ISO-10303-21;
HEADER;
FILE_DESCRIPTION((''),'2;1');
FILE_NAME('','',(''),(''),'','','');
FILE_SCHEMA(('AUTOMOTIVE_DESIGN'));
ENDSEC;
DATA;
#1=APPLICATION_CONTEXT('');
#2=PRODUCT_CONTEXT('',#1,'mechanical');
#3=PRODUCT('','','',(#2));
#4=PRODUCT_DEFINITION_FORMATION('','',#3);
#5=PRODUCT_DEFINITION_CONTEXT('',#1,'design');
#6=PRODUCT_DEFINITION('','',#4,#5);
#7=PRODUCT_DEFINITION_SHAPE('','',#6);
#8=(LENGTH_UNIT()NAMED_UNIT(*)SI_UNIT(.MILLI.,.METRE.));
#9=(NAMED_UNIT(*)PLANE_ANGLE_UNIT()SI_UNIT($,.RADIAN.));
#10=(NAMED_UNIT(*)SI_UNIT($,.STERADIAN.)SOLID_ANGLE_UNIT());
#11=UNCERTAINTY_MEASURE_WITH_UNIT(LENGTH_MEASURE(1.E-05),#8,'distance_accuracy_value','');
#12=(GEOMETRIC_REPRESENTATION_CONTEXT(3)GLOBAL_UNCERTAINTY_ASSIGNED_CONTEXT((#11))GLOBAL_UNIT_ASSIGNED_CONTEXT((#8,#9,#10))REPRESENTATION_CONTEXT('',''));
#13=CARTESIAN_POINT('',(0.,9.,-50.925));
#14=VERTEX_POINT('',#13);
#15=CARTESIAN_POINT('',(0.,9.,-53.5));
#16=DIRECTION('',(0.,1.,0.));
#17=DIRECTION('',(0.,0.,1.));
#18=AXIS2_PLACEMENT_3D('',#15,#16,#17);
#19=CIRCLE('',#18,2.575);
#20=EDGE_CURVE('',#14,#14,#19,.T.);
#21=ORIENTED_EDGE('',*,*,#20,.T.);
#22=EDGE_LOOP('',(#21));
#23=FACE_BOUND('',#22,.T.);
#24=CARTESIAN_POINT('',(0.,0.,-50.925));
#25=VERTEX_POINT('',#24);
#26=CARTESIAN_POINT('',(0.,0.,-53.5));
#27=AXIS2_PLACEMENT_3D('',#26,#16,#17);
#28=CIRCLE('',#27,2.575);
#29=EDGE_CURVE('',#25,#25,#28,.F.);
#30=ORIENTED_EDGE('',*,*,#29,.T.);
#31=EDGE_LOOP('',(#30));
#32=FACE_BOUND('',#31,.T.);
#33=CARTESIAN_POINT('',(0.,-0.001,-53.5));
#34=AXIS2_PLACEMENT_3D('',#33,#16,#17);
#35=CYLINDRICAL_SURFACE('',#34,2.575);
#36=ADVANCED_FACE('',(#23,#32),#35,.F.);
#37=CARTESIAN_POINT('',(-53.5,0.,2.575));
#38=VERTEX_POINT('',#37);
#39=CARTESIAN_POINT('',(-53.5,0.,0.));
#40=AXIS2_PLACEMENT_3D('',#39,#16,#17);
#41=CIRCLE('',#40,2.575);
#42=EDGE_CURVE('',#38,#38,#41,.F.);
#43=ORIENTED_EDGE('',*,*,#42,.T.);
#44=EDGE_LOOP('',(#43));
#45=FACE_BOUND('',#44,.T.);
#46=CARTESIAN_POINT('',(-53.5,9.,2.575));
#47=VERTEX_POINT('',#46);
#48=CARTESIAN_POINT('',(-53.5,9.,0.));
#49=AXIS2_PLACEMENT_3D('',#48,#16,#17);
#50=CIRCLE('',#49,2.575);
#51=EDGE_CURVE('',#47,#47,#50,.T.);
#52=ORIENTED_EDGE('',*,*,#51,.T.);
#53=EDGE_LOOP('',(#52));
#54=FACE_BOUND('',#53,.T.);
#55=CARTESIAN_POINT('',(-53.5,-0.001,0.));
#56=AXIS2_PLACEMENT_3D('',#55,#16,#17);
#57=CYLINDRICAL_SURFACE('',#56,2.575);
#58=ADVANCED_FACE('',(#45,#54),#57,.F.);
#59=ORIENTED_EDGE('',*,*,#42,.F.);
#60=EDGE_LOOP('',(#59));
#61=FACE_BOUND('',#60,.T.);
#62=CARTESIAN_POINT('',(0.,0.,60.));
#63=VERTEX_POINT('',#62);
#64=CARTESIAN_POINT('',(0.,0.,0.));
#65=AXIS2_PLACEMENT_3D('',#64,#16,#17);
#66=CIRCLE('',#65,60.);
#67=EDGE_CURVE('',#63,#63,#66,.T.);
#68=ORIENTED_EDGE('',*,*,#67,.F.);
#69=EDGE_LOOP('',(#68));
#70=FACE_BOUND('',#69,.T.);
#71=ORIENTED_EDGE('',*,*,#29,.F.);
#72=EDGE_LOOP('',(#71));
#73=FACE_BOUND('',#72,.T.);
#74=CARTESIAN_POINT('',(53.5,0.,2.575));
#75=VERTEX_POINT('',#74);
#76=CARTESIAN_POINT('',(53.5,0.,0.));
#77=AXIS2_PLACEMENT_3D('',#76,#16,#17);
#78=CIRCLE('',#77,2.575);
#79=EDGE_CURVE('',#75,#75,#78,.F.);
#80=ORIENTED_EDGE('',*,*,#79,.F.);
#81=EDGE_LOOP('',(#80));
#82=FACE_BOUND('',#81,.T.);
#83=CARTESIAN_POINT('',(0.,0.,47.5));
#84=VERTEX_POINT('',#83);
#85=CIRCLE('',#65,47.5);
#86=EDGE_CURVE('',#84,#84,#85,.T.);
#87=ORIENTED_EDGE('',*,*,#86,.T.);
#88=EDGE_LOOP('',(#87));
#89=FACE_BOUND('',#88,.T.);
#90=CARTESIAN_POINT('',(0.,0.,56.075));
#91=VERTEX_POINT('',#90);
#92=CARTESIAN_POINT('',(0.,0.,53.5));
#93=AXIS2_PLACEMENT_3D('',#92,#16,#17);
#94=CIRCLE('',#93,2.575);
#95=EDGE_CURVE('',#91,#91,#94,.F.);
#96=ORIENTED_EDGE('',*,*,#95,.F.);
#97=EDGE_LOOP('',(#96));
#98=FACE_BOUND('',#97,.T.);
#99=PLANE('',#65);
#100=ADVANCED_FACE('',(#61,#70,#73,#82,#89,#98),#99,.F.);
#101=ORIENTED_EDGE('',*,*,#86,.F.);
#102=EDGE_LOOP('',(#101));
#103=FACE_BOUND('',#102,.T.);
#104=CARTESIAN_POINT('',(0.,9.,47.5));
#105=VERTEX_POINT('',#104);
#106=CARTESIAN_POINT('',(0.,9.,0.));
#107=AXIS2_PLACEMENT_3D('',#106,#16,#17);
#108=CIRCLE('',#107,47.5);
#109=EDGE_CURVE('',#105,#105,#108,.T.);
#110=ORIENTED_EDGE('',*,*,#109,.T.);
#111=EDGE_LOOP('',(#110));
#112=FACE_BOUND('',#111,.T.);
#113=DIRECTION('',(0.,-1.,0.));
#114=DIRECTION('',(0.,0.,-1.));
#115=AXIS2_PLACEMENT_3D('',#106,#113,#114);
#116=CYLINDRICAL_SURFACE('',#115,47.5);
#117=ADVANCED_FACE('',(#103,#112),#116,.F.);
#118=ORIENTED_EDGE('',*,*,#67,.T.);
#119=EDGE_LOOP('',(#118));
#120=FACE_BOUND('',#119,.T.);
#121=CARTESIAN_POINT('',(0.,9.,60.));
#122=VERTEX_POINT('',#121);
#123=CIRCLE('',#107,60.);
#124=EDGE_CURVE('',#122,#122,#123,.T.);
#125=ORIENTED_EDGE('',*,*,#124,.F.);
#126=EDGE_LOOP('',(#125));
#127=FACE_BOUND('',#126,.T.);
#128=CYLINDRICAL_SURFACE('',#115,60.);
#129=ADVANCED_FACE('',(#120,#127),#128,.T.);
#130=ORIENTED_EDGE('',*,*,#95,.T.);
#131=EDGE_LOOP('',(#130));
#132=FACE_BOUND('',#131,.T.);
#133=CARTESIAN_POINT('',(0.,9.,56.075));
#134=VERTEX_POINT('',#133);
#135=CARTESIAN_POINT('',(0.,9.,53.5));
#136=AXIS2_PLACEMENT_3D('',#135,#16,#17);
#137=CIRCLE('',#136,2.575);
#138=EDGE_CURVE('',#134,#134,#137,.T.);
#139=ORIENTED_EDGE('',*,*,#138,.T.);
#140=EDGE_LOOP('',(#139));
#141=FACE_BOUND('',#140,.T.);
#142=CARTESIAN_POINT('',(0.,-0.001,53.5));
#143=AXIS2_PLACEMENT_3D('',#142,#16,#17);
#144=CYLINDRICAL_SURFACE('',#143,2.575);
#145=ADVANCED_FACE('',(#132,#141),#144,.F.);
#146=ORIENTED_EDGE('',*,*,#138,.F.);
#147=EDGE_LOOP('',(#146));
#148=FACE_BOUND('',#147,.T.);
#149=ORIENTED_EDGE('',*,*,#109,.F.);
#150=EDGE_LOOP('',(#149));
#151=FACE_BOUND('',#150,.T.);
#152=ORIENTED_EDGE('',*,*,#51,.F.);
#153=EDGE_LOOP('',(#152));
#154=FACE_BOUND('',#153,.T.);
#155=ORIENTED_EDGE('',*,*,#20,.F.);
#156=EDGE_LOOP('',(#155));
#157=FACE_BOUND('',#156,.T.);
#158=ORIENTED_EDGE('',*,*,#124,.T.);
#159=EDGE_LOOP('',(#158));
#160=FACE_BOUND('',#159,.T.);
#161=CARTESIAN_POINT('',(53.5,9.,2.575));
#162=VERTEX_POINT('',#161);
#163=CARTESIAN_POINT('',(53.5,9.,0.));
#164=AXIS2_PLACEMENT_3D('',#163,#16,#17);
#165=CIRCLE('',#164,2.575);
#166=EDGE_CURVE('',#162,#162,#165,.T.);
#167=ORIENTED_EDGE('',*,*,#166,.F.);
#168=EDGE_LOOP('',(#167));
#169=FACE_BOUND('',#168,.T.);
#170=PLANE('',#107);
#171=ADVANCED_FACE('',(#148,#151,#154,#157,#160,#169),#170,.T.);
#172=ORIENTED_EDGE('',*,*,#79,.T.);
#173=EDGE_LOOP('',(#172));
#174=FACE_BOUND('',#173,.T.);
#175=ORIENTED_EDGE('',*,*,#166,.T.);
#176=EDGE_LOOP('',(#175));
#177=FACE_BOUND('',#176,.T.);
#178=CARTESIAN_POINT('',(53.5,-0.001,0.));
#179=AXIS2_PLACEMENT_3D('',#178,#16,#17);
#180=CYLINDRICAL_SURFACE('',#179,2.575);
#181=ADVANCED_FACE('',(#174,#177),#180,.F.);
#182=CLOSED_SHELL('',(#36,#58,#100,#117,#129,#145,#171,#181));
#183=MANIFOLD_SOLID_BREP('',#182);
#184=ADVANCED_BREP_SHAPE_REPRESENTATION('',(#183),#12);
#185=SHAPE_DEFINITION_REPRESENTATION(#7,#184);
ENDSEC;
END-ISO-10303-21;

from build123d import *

# Parameters (mm, degrees)
SKETCH_1_R          = 60
SKETCH_1_R_2        = 47.5
EXTRUDE_1_DEPTH     = 9
CUT_EXTRUDE_1_REACH = 87.329
SKETCH_2_R          = 2.575


with BuildPart() as part:
    # 草图1 → 凸台-拉伸1 (new body)
    with BuildSketch(Plane(origin=(0, 0, 0), x_dir=(1, 0, 0), z_dir=(0, 1, 0))):
        with Locations(Location((0, 0, 0), (0, 0, 270))):
            Circle(SKETCH_1_R)
        with Locations(Location((0, 0, 0), (0, 0, 270))):
            Circle(SKETCH_1_R_2, mode=Mode.SUBTRACT)
    extrude(amount=EXTRUDE_1_DEPTH)

    # 草图2 → 切除-拉伸1 (cut, up to next)
    with BuildSketch(Plane(origin=(0, 9, 0), x_dir=(1, 0, 0), z_dir=(0, 1, 0)), mode=Mode.PRIVATE) as cut_extrude_1_sk1:
        with Locations(Location((0, 53.5, 0), (0, 0, 270))):
            Circle(SKETCH_2_R)
    cut_extrude_1_tool1 = extrude(cut_extrude_1_sk1.sketch, amount=-CUT_EXTRUDE_1_REACH, mode=Mode.PRIVATE) & part.part
    # 草图2 → 切除-拉伸1 (cut, up to next)
    with BuildSketch(Plane(origin=(0, 9, 0), x_dir=(1, 0, 0), z_dir=(0, 1, 0)), mode=Mode.PRIVATE) as cut_extrude_1_sk2:
        with Locations(Location((53.5, 0, 0), (0, 0, 270))):
            Circle(SKETCH_2_R)
    cut_extrude_1_tool2 = extrude(cut_extrude_1_sk2.sketch, amount=-CUT_EXTRUDE_1_REACH, mode=Mode.PRIVATE) & part.part
    # 草图2 → 切除-拉伸1 (cut, up to next)
    with BuildSketch(Plane(origin=(0, 9, 0), x_dir=(1, 0, 0), z_dir=(0, 1, 0)), mode=Mode.PRIVATE) as cut_extrude_1_sk3:
        with Locations(Location((0, -53.5, 0), (0, 0, 270))):
            Circle(SKETCH_2_R)
    cut_extrude_1_tool3 = extrude(cut_extrude_1_sk3.sketch, amount=-CUT_EXTRUDE_1_REACH, mode=Mode.PRIVATE) & part.part
    # 草图2 → 切除-拉伸1 (cut, up to next)
    with BuildSketch(Plane(origin=(0, 9, 0), x_dir=(1, 0, 0), z_dir=(0, 1, 0)), mode=Mode.PRIVATE) as cut_extrude_1_sk4:
        with Locations(Location((-53.5, 0, 0), (0, 0, 270))):
            Circle(SKETCH_2_R)
    cut_extrude_1_tool4 = extrude(cut_extrude_1_sk4.sketch, amount=-CUT_EXTRUDE_1_REACH, mode=Mode.PRIVATE) & part.part
    add(cut_extrude_1_tool1.solids().sort_by_distance((0, 9, -53.5))[0], mode=Mode.SUBTRACT)
    add(cut_extrude_1_tool2.solids().sort_by_distance((53.5, 9, 0))[0], mode=Mode.SUBTRACT)
    add(cut_extrude_1_tool3.solids().sort_by_distance((0, 9, 53.5))[0], mode=Mode.SUBTRACT)
    add(cut_extrude_1_tool4.solids().sort_by_distance((-53.5, 9, 0))[0], mode=Mode.SUBTRACT)


solid = part.part
